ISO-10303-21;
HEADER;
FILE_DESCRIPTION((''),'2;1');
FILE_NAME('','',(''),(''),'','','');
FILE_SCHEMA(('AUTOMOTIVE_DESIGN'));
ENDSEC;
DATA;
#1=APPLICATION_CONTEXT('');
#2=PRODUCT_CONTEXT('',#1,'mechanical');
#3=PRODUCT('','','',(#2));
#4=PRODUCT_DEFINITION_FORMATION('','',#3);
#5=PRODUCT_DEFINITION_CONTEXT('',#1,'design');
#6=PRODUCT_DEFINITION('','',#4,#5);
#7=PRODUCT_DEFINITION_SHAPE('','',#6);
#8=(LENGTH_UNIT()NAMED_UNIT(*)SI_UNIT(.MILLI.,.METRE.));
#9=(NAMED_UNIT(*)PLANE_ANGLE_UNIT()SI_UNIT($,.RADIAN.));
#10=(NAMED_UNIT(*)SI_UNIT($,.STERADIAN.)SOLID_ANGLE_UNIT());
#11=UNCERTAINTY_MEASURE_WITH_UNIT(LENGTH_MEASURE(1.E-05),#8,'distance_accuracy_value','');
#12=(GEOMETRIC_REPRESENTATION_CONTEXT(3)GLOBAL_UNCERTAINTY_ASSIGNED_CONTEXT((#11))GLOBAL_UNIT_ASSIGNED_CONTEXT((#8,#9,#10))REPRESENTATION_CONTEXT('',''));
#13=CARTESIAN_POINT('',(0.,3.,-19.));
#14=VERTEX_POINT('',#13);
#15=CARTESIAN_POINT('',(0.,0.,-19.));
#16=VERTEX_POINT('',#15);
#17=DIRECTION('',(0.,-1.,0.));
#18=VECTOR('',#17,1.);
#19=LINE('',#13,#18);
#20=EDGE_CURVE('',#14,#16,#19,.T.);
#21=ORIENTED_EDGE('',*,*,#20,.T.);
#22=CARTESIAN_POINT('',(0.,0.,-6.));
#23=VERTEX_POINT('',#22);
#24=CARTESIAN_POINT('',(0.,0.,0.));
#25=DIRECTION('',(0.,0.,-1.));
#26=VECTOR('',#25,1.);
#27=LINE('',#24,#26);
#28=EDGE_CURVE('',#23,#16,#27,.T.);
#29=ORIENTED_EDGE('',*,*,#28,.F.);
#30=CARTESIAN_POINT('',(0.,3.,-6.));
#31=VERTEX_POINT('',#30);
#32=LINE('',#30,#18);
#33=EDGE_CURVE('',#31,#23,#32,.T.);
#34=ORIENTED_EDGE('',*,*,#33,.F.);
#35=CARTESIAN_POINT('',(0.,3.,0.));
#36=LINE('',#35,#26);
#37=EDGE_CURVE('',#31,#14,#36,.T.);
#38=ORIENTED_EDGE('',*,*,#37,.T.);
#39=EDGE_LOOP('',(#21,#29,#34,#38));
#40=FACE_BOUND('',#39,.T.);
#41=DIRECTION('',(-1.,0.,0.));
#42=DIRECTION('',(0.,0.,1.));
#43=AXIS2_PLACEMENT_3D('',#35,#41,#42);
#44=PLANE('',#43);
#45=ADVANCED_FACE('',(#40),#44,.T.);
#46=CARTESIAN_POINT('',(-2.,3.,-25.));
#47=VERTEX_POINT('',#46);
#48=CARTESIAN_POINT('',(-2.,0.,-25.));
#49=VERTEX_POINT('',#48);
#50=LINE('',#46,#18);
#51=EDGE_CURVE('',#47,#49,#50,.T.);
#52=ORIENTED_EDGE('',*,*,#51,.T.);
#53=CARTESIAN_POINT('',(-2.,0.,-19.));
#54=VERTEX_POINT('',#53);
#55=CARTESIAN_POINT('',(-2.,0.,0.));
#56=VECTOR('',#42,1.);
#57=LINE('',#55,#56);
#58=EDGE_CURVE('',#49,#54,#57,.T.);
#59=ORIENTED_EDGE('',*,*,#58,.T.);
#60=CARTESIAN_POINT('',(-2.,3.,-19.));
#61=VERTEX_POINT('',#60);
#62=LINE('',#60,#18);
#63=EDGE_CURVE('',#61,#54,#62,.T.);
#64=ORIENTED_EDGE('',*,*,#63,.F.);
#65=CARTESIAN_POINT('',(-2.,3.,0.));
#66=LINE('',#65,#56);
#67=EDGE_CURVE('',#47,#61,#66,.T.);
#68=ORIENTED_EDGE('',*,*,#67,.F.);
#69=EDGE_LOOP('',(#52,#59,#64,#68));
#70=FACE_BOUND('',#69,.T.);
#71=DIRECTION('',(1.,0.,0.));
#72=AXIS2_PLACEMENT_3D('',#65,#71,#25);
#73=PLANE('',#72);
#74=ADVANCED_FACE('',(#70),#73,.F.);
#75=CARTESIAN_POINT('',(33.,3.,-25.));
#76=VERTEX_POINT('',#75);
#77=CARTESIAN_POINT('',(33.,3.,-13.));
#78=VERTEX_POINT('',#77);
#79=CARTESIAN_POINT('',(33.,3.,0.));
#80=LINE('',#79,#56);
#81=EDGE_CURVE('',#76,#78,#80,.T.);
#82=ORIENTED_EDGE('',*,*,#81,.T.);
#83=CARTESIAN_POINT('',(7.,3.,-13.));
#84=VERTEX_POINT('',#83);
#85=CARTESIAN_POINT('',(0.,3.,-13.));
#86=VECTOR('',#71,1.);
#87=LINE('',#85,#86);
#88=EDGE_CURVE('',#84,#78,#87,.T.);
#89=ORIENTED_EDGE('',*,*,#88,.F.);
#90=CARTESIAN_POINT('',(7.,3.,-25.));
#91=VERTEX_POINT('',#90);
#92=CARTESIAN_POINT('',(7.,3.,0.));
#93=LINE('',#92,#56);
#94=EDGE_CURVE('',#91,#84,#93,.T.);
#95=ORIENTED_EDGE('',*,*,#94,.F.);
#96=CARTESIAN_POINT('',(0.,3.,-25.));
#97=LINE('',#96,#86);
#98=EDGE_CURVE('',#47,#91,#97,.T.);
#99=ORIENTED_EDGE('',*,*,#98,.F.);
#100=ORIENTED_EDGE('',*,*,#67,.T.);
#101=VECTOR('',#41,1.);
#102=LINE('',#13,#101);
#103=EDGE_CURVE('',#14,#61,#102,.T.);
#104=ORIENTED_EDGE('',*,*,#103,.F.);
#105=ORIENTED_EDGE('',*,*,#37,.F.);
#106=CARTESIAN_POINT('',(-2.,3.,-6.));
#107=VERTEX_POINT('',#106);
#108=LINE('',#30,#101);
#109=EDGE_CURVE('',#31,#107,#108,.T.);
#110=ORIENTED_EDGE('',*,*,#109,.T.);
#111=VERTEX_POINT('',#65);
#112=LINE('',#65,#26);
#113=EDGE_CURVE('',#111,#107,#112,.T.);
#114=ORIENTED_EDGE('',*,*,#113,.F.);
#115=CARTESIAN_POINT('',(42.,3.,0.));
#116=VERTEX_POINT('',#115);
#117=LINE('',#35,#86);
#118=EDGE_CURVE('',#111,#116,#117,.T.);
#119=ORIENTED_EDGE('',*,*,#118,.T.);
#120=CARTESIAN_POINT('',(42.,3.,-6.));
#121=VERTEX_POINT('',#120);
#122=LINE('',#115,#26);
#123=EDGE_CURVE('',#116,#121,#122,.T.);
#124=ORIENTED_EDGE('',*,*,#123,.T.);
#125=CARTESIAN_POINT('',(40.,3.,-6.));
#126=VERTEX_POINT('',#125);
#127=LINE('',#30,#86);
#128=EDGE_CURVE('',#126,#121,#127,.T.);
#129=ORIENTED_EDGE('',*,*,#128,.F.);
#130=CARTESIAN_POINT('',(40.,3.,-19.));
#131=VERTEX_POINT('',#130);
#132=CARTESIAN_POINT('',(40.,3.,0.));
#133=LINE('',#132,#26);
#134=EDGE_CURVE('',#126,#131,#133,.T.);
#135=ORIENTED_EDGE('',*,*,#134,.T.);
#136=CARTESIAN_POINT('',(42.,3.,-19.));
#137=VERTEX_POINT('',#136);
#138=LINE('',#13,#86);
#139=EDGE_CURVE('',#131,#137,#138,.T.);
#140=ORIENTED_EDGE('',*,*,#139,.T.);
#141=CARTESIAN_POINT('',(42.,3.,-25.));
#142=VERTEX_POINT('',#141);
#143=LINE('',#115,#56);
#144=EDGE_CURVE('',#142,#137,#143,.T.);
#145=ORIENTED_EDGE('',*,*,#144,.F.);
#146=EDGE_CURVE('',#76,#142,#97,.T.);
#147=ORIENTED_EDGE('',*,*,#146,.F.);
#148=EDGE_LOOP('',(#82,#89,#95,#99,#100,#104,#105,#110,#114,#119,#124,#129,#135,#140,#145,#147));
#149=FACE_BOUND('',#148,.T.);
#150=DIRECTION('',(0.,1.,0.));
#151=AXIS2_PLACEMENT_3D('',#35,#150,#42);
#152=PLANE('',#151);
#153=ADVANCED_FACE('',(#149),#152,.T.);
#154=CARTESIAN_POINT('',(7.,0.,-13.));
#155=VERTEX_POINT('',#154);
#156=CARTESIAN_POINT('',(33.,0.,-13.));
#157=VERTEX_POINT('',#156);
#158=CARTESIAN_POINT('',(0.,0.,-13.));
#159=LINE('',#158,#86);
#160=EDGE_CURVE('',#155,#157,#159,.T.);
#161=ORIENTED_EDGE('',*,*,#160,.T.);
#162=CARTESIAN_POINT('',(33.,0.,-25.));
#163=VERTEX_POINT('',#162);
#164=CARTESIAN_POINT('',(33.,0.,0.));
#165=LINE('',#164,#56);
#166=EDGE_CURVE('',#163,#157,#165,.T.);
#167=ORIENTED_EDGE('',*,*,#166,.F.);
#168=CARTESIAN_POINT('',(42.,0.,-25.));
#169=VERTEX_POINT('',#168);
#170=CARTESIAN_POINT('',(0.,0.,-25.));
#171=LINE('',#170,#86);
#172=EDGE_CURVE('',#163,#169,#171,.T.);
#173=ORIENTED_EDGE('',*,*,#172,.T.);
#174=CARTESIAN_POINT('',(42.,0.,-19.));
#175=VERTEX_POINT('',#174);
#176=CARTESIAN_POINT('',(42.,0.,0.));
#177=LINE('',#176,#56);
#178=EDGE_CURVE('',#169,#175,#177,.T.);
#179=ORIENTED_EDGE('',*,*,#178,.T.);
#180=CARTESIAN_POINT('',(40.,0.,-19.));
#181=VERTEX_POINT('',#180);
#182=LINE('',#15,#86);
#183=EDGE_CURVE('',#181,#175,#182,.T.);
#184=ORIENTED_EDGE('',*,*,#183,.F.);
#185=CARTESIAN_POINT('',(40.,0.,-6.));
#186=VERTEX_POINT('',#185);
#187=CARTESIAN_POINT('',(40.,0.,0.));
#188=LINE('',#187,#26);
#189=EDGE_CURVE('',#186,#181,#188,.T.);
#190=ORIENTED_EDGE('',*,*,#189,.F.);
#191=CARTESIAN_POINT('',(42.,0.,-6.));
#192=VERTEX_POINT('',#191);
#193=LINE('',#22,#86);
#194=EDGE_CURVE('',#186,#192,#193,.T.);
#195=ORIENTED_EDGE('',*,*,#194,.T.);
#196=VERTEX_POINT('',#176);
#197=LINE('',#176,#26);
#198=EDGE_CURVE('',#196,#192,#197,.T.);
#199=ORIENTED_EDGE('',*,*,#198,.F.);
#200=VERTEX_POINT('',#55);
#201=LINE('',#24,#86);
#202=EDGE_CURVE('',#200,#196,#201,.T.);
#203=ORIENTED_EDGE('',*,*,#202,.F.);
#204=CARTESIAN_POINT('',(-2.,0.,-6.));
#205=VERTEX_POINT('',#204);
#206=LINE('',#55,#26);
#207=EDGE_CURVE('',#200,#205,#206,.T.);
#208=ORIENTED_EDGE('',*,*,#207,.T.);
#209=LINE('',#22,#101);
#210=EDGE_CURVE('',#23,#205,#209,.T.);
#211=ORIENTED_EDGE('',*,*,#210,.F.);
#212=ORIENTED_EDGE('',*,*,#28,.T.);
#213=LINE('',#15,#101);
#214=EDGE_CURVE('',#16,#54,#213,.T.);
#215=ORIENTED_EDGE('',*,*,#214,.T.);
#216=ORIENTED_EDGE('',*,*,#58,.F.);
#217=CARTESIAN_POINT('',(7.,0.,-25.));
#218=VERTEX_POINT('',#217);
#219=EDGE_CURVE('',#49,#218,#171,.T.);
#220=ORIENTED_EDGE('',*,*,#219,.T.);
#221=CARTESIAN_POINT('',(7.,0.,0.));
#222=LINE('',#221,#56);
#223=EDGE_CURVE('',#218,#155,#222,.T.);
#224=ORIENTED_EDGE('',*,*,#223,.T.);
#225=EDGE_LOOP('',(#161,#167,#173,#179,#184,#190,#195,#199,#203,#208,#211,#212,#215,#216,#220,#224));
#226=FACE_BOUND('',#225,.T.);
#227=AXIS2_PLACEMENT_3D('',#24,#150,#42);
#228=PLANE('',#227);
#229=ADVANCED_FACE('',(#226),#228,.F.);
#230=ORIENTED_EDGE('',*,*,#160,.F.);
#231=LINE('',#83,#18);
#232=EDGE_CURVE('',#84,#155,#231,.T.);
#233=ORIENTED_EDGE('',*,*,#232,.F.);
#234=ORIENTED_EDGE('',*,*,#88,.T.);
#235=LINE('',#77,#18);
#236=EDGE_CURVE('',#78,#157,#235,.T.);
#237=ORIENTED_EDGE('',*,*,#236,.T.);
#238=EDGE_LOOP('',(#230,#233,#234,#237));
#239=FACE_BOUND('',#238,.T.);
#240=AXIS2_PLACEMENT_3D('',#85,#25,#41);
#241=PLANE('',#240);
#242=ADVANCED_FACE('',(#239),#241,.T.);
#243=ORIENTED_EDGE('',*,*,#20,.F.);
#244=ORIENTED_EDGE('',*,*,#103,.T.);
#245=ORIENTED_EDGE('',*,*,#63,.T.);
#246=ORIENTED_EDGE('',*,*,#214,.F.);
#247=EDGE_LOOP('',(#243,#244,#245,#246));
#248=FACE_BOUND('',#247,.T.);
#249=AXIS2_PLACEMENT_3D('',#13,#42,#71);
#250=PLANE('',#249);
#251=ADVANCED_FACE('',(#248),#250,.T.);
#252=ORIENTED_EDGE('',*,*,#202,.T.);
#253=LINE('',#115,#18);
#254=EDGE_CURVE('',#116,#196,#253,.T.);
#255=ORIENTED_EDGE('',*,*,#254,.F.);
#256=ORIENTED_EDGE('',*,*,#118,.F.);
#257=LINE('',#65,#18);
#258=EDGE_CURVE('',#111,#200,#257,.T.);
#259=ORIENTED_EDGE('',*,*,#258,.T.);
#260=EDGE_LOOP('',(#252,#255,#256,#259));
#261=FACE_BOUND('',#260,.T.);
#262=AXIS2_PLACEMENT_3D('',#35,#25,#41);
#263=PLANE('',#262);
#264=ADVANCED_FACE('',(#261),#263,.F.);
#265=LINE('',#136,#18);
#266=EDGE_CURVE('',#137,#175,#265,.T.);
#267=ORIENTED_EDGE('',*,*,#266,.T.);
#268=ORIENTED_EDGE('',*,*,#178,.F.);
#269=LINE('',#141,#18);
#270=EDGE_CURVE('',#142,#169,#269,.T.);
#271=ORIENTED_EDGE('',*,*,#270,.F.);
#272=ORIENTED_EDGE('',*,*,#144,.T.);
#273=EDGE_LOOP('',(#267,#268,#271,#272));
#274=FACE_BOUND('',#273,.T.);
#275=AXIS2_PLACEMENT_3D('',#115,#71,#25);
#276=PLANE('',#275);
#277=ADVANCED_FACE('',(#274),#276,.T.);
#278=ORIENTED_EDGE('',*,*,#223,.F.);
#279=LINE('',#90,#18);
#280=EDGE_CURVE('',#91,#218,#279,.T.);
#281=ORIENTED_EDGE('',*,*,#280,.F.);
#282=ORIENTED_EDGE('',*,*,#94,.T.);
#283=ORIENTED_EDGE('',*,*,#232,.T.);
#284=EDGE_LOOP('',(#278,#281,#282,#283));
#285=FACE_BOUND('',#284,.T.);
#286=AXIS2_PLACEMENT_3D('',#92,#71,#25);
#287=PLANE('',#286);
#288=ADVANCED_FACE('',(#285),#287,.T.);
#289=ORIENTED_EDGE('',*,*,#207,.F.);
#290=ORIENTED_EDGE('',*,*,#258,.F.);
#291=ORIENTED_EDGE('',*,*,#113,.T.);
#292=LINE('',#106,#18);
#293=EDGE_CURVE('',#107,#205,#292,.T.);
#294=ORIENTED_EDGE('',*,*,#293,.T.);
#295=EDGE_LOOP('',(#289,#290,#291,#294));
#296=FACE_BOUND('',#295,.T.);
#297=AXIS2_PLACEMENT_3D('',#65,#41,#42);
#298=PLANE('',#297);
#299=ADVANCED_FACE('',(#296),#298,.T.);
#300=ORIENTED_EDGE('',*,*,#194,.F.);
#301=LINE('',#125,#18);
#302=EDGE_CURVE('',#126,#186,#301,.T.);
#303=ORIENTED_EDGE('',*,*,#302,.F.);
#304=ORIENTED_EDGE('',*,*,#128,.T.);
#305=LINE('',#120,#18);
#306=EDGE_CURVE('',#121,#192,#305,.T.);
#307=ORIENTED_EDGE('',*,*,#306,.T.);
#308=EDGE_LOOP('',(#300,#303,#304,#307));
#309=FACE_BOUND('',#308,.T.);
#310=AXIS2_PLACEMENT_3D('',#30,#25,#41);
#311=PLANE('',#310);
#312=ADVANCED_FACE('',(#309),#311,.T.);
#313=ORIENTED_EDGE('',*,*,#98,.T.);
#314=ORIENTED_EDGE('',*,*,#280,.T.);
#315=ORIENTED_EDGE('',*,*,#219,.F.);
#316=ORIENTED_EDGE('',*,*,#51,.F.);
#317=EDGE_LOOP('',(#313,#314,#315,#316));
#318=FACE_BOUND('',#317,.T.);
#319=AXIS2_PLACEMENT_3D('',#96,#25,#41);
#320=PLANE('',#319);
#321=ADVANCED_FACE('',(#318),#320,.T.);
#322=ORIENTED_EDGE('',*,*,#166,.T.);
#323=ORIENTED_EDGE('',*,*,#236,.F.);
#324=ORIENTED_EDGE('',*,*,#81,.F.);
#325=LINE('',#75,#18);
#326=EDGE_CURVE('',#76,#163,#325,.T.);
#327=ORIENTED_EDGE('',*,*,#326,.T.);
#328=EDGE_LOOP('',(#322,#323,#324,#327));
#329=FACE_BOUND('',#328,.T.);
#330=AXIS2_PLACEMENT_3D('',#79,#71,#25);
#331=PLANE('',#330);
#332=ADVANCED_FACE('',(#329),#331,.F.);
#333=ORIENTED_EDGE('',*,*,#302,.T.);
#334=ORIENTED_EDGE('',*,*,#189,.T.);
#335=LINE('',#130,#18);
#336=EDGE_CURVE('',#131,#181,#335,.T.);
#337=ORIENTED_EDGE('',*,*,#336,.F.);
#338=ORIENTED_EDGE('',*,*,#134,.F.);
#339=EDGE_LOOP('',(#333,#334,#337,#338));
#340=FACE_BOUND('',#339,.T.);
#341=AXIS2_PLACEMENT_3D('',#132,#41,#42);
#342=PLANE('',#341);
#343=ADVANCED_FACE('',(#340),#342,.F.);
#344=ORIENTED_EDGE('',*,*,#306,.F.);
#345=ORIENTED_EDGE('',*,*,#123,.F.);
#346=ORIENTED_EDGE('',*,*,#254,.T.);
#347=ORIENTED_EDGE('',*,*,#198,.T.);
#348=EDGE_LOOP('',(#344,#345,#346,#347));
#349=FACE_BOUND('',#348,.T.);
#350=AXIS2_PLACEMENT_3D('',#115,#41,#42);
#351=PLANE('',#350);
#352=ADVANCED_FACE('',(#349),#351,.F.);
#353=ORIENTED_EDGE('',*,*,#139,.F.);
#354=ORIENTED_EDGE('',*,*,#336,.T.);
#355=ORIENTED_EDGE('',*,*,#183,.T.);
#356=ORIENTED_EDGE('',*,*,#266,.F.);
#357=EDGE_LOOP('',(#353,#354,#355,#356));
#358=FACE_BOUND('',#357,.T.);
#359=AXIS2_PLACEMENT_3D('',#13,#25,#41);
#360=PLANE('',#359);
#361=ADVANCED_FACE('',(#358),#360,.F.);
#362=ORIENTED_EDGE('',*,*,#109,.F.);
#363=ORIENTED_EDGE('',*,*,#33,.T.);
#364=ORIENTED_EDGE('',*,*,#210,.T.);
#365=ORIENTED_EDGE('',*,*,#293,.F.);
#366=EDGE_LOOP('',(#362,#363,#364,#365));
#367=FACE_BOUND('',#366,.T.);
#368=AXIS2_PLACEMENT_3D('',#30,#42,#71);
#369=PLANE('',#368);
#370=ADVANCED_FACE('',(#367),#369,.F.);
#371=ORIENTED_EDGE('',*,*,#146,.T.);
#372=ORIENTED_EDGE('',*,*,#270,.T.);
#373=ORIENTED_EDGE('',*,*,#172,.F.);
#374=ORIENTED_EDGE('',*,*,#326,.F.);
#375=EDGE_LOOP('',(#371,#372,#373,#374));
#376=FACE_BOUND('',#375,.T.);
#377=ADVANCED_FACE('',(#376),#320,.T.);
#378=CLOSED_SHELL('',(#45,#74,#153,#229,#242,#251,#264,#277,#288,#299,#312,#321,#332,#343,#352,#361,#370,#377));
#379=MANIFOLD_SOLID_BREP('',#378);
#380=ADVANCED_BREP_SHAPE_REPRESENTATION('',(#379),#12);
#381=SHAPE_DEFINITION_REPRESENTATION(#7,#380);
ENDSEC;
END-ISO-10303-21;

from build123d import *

# Parameters (mm, degrees)
SKETCH1_W           = 2
SKETCH1_H           = 6
BOSS_EXTRUDE1_DEPTH = 3


with BuildPart() as part:
    # Sketch1 → Boss-Extrude1 (new body)
    with BuildSketch(Plane(origin=(0, 0, 0), x_dir=(1, 0, 0), z_dir=(0, 1, 0))):
        Polygon((0, 6), (0, 0), (40, 0), (40, 6), (40, 19), (40, 25), (33, 25), (33, 13), (20, 13), (7, 13), (7, 25), (0, 25), (0, 19), align=None)
        with Locations((-1, 22)):
            Rectangle(SKETCH1_W, SKETCH1_H)
        with Locations((-1, 3)):
            Rectangle(SKETCH1_W, SKETCH1_H)
        with Locations((41, 3)):
            Rectangle(SKETCH1_W, SKETCH1_H)
        with Locations((41, 22)):
            Rectangle(SKETCH1_W, SKETCH1_H)
    extrude(amount=BOSS_EXTRUDE1_DEPTH)


solid = part.part
